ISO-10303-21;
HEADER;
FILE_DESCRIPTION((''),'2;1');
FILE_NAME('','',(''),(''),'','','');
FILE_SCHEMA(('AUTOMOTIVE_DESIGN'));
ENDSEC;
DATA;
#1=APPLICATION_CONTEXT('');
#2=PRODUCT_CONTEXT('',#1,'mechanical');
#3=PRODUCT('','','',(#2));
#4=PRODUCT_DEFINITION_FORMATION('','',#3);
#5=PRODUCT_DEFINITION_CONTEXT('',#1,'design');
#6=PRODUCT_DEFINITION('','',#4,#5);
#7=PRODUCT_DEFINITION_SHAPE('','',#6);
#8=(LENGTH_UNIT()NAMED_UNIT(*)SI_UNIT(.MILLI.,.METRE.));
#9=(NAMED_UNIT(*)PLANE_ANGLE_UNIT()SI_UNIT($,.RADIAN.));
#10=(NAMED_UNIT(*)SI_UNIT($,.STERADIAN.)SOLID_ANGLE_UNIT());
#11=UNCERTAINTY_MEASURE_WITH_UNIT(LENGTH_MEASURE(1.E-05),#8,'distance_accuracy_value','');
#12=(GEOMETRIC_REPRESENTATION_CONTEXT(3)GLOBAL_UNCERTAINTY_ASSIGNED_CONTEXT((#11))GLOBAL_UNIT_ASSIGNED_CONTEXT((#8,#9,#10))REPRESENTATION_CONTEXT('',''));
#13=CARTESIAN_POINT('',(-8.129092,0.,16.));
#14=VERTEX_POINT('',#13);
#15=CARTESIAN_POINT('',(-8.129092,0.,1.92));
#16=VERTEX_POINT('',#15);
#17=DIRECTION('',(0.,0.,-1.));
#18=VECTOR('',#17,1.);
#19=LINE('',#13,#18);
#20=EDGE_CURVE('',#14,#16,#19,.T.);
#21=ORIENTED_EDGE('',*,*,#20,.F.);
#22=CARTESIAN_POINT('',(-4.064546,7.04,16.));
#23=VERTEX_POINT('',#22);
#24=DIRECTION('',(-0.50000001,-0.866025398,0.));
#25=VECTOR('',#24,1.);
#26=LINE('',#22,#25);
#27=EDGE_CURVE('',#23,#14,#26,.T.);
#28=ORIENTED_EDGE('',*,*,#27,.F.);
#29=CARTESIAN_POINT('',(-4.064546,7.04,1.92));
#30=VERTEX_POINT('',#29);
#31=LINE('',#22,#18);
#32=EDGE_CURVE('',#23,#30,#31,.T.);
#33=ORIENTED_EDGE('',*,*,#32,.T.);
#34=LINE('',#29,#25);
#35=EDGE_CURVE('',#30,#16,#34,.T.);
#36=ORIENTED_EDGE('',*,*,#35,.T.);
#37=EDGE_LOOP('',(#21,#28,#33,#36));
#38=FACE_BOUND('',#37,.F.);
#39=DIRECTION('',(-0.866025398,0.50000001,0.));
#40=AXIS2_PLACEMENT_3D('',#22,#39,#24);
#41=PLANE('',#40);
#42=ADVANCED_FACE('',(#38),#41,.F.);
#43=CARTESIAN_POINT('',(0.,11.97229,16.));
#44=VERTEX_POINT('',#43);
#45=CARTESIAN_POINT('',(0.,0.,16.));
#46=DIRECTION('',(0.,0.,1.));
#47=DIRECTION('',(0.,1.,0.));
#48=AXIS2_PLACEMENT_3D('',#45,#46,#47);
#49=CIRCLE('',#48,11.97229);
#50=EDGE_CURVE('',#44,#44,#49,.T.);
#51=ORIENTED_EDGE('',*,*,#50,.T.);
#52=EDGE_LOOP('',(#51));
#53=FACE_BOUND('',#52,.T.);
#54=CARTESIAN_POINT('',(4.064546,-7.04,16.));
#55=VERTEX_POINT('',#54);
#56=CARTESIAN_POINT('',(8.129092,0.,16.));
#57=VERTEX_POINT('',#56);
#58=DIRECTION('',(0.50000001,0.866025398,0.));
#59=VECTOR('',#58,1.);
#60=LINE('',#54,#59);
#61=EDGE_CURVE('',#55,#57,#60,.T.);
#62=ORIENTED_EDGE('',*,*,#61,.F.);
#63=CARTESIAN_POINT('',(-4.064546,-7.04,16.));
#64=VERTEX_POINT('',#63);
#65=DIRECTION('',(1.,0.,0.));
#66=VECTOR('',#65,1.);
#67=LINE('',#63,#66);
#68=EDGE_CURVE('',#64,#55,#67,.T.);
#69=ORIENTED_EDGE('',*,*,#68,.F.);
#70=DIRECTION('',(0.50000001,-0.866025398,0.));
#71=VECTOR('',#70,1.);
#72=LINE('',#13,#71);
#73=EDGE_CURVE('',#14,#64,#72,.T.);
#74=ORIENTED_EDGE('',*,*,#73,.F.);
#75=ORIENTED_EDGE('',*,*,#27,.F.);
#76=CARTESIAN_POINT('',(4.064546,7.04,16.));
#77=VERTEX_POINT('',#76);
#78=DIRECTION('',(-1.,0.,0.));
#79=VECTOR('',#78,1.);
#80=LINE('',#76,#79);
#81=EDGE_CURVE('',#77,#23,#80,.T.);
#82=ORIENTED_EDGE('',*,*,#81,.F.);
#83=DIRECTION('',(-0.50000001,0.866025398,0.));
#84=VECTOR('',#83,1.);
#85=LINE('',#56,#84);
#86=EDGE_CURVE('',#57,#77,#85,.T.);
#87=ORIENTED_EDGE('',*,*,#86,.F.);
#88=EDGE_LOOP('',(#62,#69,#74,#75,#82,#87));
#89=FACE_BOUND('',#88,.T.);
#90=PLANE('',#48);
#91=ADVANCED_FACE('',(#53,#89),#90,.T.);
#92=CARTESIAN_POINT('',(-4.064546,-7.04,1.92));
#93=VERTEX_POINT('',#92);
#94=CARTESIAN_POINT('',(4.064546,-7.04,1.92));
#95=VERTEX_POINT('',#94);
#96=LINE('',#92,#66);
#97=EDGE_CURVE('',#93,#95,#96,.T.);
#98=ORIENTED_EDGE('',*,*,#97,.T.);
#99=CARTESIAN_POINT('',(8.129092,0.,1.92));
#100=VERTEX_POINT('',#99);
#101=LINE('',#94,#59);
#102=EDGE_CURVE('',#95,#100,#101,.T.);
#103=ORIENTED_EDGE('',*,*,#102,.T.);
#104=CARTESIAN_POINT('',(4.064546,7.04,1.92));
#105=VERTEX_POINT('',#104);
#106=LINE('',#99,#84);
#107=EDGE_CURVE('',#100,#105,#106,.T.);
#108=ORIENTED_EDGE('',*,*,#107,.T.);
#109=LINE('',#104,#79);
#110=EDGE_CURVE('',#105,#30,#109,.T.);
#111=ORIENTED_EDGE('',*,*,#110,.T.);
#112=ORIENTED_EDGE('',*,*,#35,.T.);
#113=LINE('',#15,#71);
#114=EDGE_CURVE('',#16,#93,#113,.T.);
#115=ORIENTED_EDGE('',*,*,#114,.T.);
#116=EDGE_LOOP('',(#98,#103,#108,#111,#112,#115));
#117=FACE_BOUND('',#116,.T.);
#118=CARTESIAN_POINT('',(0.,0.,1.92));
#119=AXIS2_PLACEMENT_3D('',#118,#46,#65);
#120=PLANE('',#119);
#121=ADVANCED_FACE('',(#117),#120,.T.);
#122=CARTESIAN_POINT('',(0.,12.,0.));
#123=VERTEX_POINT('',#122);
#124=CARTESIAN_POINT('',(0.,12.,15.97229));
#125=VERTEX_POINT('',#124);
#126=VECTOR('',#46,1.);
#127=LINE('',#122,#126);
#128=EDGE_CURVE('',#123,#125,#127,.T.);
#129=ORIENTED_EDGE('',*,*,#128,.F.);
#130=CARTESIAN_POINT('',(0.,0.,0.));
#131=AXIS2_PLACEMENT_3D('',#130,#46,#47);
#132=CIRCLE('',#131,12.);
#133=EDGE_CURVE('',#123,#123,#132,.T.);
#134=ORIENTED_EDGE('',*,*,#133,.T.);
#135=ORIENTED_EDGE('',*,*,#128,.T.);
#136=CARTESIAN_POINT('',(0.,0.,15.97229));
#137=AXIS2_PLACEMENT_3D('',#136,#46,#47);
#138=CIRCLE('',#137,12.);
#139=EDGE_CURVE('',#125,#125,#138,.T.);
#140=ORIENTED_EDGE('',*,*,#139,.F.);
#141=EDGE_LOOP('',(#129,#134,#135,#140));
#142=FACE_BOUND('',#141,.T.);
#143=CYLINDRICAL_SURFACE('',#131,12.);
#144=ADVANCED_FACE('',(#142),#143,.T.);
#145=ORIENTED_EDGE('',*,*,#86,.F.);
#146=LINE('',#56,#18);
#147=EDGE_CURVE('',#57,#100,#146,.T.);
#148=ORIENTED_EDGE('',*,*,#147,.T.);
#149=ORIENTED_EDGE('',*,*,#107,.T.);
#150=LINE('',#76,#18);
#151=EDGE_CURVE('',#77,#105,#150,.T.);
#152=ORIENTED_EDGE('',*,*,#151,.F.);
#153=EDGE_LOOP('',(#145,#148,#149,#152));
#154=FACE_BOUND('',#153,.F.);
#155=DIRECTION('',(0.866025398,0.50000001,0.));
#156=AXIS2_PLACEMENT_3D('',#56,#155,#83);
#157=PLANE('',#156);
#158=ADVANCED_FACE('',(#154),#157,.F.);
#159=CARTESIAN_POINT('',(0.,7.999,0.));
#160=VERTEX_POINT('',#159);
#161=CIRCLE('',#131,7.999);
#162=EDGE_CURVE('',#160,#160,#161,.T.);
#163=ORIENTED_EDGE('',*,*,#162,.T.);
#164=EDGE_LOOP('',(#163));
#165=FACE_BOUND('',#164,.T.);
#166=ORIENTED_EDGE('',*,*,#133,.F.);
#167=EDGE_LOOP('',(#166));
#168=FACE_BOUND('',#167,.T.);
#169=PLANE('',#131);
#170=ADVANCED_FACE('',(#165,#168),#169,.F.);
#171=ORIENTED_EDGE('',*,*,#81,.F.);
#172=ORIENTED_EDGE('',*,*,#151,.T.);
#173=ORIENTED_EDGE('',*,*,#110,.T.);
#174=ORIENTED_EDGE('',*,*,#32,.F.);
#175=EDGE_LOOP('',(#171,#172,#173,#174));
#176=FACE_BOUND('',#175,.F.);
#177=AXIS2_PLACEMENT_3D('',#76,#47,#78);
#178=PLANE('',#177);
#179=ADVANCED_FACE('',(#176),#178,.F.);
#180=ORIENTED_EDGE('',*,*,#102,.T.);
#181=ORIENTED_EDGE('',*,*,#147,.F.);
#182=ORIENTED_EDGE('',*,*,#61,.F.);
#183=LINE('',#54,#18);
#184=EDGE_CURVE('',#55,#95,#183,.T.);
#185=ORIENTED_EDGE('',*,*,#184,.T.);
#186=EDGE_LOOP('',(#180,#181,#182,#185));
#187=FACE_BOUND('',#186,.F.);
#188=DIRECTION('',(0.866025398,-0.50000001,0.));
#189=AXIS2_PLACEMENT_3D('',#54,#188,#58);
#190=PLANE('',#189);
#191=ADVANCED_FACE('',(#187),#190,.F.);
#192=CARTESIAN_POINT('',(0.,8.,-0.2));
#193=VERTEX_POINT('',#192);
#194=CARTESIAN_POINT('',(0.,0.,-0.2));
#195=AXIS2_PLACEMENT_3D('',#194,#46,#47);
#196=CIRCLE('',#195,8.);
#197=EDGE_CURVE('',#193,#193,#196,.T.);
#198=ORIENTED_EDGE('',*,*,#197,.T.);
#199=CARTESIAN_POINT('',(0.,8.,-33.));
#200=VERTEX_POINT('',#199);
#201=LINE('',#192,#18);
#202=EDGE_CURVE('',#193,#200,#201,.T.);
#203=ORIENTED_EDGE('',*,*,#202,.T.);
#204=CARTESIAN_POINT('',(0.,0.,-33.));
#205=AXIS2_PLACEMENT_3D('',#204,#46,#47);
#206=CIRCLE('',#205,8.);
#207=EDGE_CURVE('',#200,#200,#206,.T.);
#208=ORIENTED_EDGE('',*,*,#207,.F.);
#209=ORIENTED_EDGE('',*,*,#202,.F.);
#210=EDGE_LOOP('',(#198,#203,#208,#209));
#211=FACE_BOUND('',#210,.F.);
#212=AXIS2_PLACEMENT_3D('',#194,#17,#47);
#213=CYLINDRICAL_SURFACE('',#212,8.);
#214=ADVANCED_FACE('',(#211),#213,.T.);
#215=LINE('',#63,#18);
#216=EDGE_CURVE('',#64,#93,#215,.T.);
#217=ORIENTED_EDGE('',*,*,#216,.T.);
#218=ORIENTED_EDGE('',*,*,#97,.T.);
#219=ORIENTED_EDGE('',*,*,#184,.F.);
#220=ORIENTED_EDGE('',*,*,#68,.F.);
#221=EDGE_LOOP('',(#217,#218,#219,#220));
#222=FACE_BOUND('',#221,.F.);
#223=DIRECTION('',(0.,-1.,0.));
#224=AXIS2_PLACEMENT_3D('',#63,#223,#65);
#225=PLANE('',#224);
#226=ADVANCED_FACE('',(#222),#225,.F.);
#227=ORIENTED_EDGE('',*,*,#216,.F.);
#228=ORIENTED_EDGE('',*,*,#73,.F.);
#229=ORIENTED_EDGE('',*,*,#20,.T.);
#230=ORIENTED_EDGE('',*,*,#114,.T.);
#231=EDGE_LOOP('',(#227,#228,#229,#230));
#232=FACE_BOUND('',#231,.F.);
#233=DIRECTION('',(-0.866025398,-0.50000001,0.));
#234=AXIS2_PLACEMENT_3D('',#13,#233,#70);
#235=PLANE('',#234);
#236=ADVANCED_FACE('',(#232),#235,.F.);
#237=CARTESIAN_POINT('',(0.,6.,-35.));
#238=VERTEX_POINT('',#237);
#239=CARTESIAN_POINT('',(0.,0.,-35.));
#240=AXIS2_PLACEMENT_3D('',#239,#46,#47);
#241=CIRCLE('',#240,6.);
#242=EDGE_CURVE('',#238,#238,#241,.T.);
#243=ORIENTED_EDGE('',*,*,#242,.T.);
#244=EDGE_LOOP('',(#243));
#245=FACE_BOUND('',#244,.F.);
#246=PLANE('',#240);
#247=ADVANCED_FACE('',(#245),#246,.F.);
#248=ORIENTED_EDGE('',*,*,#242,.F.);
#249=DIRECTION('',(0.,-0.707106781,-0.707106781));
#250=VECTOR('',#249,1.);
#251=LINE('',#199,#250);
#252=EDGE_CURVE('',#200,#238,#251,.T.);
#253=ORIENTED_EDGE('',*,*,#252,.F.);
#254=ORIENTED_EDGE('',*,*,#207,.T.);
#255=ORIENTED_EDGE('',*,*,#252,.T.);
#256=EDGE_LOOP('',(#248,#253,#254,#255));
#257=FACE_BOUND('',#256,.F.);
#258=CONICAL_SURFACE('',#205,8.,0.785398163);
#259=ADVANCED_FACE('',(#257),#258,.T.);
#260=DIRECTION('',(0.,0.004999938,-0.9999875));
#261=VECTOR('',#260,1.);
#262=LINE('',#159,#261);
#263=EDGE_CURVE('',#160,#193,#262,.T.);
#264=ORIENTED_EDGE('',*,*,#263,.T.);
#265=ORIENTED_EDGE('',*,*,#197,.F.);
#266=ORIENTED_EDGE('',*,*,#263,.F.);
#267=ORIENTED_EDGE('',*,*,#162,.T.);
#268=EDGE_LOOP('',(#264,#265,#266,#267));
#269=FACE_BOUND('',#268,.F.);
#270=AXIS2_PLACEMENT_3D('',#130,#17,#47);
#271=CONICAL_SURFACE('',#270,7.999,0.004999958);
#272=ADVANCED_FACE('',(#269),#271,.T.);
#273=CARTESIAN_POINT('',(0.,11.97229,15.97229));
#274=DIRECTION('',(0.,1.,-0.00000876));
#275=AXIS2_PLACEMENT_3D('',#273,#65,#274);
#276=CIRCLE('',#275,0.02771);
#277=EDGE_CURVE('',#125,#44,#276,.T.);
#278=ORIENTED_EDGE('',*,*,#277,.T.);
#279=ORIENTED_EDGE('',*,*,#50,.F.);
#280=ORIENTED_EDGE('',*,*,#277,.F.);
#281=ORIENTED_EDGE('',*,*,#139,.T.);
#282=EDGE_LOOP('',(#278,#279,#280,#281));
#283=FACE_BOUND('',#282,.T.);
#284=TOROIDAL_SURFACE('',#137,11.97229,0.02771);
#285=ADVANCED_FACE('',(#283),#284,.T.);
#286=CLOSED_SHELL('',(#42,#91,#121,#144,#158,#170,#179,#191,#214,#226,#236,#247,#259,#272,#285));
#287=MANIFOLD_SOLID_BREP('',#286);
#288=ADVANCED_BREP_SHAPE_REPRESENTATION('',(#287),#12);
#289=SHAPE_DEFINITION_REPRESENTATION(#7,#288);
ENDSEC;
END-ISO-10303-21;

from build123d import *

# Parameters (mm, degrees)
POCKET_DEPTH = 14.08


with BuildPart() as part:
    # Sketch → Revolve (revolve)
    with BuildSketch(Plane.YZ):
        with BuildLine():
            Line((7.999, 0), (12, 0))
            Line((12, 0), (12, 15.97229))
            ThreePointArc((12, 15.97229), (11.991884, 15.991884), (11.97229, 16))
            Line((11.97229, 16), (0, 16))
            Line((0, -35), (0, 16))
            Line((6, -35), (0, -35))
            Line((8, -33), (6, -35))
            Line((8, -0.2), (8, -33))
            Line((7.999, 0), (8, -0.2))
        make_face()
    revolve(axis=Axis((0, 0, 0), (0, 0, 1)))

    # Sketch001 → Pocket (cut)
    with BuildSketch(Plane.XY.offset(16)):
        Polygon((8.129092, 0), (4.064546, 7.04), (-4.064546, 7.04), (-8.129092, 0), (-4.064546, -7.04), (4.064546, -7.04), align=None)
    extrude(amount=-POCKET_DEPTH, mode=Mode.SUBTRACT)


solid = part.part
